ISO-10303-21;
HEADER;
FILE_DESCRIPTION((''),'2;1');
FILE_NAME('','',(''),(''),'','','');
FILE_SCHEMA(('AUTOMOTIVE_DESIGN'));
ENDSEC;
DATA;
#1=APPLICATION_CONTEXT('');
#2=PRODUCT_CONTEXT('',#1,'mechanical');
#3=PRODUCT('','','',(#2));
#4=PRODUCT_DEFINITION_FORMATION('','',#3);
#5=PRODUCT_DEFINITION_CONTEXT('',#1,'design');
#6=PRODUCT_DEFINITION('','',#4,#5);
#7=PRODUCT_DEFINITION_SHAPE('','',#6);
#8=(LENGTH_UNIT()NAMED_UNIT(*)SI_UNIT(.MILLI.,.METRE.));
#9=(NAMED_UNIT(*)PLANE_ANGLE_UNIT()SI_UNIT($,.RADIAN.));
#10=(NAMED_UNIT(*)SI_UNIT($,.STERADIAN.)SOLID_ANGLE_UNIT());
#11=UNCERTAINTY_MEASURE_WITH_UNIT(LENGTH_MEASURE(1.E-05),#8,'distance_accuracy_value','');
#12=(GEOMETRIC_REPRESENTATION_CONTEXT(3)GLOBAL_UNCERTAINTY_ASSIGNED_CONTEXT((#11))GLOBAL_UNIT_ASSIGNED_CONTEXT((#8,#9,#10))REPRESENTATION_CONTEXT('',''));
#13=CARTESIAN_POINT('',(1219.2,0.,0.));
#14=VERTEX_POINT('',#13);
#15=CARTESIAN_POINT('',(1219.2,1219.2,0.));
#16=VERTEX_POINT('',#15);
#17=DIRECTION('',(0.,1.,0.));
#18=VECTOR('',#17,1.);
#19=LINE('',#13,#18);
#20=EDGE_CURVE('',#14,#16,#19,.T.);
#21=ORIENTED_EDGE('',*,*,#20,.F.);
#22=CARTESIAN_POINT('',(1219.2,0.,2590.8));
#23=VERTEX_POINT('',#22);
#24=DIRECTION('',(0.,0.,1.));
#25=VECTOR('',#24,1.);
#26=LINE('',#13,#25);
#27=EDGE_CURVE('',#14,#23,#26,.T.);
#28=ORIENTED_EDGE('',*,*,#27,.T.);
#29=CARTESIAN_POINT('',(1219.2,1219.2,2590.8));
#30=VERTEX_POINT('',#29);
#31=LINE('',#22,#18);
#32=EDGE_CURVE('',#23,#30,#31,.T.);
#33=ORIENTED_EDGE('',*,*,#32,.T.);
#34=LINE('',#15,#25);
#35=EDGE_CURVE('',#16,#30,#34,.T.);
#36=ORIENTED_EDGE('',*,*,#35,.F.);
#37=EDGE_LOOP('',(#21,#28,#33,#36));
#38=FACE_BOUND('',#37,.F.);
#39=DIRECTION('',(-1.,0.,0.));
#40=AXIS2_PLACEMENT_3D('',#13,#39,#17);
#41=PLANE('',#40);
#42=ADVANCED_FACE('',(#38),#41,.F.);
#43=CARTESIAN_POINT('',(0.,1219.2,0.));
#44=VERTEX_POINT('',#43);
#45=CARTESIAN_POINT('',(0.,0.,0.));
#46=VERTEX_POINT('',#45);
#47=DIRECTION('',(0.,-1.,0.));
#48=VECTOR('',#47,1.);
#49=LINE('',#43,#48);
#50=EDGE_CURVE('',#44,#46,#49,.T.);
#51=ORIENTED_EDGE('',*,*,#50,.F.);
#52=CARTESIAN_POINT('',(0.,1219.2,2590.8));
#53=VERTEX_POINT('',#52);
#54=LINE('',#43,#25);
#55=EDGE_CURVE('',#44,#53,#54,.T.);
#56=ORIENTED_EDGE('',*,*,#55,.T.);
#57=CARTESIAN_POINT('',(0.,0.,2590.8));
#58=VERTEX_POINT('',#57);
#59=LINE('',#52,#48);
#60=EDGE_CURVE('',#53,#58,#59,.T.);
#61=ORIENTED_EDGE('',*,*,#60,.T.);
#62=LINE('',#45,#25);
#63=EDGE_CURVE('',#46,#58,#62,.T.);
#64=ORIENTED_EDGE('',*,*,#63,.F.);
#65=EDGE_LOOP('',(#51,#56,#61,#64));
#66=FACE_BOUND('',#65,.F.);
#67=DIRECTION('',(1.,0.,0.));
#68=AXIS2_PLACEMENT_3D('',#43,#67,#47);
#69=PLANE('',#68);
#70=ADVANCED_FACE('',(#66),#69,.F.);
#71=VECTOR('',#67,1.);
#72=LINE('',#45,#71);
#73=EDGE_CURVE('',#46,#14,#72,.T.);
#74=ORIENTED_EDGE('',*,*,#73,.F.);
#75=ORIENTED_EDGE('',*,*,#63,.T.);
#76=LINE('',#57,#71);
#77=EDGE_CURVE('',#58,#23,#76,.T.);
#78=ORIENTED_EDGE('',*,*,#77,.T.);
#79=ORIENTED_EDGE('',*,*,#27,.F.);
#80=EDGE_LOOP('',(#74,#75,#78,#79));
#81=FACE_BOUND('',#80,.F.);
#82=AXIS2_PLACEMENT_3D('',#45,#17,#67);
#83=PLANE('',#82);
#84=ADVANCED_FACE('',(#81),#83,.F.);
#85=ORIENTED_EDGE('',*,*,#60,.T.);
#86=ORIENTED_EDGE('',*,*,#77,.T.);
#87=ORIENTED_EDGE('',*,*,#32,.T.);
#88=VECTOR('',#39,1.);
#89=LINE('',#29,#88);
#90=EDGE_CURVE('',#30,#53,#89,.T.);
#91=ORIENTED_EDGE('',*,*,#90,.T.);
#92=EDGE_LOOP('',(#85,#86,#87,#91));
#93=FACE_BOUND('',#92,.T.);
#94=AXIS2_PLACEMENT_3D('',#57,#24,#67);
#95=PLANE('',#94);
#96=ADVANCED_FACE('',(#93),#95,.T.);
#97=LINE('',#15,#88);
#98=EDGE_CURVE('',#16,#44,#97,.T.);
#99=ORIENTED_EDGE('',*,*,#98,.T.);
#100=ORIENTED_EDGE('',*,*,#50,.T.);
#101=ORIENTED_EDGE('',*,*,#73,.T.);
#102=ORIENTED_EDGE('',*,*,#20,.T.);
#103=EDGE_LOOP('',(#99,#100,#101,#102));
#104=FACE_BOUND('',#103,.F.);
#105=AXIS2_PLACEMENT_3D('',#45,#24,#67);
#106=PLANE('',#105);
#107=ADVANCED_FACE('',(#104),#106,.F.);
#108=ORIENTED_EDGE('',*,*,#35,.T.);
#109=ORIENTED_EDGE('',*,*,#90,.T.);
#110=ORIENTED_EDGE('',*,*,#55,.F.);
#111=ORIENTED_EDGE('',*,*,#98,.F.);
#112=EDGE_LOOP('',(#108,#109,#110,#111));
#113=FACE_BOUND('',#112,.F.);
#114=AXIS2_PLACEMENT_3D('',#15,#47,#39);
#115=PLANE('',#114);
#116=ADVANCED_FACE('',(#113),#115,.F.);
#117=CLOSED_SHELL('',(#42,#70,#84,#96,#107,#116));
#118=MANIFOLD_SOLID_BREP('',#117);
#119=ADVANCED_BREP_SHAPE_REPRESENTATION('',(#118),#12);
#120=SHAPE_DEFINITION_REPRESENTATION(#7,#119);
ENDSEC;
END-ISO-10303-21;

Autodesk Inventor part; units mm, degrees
ref_plane "YZ Plane" through (0, 0, 0) normal (1, 0, 0) x (0, 1, 0)
ref_plane "XZ Plane" through (0, 0, 0) normal (0, 1, 0) x (-1, 0, 0)
ref_plane "XY Plane" through (0, 0, 0) normal (0, 0, 1) x (1, 0, 0)
sketch "Sketch1" plane through (0, 0, 0) normal (0, 0, 1) x (1, 0, 0)
  line L0 (0, 0) -> (1219.2, 0)
  line L1 (1219.2, 0) -> (1219.2, 1219.2)
  line L2 (1219.2, 1219.2) -> (0, 1219.2)
  line L3 (0, 1219.2) -> (0, 0)
  dimension "d0" = 1219.2
  dimension "d1" = 1219.2
extrude "Extrusion1" add sketch "Sketch1" along normal blind 2590.8
ref_plane "Work Plane1" through (609.6, 0, 0) normal (1, 0, 0) x (0, 0, -1)
ref_plane "Work Plane2" through (0, 609.6, 0) normal (0, 1, 0) x (1, 0, 0)
ref_plane "Work Plane3" through (0, 0, 1295.4) normal (0, 0, 1) x (1, 0, 0)
properties part number "Fluid Simulation Boundary"
